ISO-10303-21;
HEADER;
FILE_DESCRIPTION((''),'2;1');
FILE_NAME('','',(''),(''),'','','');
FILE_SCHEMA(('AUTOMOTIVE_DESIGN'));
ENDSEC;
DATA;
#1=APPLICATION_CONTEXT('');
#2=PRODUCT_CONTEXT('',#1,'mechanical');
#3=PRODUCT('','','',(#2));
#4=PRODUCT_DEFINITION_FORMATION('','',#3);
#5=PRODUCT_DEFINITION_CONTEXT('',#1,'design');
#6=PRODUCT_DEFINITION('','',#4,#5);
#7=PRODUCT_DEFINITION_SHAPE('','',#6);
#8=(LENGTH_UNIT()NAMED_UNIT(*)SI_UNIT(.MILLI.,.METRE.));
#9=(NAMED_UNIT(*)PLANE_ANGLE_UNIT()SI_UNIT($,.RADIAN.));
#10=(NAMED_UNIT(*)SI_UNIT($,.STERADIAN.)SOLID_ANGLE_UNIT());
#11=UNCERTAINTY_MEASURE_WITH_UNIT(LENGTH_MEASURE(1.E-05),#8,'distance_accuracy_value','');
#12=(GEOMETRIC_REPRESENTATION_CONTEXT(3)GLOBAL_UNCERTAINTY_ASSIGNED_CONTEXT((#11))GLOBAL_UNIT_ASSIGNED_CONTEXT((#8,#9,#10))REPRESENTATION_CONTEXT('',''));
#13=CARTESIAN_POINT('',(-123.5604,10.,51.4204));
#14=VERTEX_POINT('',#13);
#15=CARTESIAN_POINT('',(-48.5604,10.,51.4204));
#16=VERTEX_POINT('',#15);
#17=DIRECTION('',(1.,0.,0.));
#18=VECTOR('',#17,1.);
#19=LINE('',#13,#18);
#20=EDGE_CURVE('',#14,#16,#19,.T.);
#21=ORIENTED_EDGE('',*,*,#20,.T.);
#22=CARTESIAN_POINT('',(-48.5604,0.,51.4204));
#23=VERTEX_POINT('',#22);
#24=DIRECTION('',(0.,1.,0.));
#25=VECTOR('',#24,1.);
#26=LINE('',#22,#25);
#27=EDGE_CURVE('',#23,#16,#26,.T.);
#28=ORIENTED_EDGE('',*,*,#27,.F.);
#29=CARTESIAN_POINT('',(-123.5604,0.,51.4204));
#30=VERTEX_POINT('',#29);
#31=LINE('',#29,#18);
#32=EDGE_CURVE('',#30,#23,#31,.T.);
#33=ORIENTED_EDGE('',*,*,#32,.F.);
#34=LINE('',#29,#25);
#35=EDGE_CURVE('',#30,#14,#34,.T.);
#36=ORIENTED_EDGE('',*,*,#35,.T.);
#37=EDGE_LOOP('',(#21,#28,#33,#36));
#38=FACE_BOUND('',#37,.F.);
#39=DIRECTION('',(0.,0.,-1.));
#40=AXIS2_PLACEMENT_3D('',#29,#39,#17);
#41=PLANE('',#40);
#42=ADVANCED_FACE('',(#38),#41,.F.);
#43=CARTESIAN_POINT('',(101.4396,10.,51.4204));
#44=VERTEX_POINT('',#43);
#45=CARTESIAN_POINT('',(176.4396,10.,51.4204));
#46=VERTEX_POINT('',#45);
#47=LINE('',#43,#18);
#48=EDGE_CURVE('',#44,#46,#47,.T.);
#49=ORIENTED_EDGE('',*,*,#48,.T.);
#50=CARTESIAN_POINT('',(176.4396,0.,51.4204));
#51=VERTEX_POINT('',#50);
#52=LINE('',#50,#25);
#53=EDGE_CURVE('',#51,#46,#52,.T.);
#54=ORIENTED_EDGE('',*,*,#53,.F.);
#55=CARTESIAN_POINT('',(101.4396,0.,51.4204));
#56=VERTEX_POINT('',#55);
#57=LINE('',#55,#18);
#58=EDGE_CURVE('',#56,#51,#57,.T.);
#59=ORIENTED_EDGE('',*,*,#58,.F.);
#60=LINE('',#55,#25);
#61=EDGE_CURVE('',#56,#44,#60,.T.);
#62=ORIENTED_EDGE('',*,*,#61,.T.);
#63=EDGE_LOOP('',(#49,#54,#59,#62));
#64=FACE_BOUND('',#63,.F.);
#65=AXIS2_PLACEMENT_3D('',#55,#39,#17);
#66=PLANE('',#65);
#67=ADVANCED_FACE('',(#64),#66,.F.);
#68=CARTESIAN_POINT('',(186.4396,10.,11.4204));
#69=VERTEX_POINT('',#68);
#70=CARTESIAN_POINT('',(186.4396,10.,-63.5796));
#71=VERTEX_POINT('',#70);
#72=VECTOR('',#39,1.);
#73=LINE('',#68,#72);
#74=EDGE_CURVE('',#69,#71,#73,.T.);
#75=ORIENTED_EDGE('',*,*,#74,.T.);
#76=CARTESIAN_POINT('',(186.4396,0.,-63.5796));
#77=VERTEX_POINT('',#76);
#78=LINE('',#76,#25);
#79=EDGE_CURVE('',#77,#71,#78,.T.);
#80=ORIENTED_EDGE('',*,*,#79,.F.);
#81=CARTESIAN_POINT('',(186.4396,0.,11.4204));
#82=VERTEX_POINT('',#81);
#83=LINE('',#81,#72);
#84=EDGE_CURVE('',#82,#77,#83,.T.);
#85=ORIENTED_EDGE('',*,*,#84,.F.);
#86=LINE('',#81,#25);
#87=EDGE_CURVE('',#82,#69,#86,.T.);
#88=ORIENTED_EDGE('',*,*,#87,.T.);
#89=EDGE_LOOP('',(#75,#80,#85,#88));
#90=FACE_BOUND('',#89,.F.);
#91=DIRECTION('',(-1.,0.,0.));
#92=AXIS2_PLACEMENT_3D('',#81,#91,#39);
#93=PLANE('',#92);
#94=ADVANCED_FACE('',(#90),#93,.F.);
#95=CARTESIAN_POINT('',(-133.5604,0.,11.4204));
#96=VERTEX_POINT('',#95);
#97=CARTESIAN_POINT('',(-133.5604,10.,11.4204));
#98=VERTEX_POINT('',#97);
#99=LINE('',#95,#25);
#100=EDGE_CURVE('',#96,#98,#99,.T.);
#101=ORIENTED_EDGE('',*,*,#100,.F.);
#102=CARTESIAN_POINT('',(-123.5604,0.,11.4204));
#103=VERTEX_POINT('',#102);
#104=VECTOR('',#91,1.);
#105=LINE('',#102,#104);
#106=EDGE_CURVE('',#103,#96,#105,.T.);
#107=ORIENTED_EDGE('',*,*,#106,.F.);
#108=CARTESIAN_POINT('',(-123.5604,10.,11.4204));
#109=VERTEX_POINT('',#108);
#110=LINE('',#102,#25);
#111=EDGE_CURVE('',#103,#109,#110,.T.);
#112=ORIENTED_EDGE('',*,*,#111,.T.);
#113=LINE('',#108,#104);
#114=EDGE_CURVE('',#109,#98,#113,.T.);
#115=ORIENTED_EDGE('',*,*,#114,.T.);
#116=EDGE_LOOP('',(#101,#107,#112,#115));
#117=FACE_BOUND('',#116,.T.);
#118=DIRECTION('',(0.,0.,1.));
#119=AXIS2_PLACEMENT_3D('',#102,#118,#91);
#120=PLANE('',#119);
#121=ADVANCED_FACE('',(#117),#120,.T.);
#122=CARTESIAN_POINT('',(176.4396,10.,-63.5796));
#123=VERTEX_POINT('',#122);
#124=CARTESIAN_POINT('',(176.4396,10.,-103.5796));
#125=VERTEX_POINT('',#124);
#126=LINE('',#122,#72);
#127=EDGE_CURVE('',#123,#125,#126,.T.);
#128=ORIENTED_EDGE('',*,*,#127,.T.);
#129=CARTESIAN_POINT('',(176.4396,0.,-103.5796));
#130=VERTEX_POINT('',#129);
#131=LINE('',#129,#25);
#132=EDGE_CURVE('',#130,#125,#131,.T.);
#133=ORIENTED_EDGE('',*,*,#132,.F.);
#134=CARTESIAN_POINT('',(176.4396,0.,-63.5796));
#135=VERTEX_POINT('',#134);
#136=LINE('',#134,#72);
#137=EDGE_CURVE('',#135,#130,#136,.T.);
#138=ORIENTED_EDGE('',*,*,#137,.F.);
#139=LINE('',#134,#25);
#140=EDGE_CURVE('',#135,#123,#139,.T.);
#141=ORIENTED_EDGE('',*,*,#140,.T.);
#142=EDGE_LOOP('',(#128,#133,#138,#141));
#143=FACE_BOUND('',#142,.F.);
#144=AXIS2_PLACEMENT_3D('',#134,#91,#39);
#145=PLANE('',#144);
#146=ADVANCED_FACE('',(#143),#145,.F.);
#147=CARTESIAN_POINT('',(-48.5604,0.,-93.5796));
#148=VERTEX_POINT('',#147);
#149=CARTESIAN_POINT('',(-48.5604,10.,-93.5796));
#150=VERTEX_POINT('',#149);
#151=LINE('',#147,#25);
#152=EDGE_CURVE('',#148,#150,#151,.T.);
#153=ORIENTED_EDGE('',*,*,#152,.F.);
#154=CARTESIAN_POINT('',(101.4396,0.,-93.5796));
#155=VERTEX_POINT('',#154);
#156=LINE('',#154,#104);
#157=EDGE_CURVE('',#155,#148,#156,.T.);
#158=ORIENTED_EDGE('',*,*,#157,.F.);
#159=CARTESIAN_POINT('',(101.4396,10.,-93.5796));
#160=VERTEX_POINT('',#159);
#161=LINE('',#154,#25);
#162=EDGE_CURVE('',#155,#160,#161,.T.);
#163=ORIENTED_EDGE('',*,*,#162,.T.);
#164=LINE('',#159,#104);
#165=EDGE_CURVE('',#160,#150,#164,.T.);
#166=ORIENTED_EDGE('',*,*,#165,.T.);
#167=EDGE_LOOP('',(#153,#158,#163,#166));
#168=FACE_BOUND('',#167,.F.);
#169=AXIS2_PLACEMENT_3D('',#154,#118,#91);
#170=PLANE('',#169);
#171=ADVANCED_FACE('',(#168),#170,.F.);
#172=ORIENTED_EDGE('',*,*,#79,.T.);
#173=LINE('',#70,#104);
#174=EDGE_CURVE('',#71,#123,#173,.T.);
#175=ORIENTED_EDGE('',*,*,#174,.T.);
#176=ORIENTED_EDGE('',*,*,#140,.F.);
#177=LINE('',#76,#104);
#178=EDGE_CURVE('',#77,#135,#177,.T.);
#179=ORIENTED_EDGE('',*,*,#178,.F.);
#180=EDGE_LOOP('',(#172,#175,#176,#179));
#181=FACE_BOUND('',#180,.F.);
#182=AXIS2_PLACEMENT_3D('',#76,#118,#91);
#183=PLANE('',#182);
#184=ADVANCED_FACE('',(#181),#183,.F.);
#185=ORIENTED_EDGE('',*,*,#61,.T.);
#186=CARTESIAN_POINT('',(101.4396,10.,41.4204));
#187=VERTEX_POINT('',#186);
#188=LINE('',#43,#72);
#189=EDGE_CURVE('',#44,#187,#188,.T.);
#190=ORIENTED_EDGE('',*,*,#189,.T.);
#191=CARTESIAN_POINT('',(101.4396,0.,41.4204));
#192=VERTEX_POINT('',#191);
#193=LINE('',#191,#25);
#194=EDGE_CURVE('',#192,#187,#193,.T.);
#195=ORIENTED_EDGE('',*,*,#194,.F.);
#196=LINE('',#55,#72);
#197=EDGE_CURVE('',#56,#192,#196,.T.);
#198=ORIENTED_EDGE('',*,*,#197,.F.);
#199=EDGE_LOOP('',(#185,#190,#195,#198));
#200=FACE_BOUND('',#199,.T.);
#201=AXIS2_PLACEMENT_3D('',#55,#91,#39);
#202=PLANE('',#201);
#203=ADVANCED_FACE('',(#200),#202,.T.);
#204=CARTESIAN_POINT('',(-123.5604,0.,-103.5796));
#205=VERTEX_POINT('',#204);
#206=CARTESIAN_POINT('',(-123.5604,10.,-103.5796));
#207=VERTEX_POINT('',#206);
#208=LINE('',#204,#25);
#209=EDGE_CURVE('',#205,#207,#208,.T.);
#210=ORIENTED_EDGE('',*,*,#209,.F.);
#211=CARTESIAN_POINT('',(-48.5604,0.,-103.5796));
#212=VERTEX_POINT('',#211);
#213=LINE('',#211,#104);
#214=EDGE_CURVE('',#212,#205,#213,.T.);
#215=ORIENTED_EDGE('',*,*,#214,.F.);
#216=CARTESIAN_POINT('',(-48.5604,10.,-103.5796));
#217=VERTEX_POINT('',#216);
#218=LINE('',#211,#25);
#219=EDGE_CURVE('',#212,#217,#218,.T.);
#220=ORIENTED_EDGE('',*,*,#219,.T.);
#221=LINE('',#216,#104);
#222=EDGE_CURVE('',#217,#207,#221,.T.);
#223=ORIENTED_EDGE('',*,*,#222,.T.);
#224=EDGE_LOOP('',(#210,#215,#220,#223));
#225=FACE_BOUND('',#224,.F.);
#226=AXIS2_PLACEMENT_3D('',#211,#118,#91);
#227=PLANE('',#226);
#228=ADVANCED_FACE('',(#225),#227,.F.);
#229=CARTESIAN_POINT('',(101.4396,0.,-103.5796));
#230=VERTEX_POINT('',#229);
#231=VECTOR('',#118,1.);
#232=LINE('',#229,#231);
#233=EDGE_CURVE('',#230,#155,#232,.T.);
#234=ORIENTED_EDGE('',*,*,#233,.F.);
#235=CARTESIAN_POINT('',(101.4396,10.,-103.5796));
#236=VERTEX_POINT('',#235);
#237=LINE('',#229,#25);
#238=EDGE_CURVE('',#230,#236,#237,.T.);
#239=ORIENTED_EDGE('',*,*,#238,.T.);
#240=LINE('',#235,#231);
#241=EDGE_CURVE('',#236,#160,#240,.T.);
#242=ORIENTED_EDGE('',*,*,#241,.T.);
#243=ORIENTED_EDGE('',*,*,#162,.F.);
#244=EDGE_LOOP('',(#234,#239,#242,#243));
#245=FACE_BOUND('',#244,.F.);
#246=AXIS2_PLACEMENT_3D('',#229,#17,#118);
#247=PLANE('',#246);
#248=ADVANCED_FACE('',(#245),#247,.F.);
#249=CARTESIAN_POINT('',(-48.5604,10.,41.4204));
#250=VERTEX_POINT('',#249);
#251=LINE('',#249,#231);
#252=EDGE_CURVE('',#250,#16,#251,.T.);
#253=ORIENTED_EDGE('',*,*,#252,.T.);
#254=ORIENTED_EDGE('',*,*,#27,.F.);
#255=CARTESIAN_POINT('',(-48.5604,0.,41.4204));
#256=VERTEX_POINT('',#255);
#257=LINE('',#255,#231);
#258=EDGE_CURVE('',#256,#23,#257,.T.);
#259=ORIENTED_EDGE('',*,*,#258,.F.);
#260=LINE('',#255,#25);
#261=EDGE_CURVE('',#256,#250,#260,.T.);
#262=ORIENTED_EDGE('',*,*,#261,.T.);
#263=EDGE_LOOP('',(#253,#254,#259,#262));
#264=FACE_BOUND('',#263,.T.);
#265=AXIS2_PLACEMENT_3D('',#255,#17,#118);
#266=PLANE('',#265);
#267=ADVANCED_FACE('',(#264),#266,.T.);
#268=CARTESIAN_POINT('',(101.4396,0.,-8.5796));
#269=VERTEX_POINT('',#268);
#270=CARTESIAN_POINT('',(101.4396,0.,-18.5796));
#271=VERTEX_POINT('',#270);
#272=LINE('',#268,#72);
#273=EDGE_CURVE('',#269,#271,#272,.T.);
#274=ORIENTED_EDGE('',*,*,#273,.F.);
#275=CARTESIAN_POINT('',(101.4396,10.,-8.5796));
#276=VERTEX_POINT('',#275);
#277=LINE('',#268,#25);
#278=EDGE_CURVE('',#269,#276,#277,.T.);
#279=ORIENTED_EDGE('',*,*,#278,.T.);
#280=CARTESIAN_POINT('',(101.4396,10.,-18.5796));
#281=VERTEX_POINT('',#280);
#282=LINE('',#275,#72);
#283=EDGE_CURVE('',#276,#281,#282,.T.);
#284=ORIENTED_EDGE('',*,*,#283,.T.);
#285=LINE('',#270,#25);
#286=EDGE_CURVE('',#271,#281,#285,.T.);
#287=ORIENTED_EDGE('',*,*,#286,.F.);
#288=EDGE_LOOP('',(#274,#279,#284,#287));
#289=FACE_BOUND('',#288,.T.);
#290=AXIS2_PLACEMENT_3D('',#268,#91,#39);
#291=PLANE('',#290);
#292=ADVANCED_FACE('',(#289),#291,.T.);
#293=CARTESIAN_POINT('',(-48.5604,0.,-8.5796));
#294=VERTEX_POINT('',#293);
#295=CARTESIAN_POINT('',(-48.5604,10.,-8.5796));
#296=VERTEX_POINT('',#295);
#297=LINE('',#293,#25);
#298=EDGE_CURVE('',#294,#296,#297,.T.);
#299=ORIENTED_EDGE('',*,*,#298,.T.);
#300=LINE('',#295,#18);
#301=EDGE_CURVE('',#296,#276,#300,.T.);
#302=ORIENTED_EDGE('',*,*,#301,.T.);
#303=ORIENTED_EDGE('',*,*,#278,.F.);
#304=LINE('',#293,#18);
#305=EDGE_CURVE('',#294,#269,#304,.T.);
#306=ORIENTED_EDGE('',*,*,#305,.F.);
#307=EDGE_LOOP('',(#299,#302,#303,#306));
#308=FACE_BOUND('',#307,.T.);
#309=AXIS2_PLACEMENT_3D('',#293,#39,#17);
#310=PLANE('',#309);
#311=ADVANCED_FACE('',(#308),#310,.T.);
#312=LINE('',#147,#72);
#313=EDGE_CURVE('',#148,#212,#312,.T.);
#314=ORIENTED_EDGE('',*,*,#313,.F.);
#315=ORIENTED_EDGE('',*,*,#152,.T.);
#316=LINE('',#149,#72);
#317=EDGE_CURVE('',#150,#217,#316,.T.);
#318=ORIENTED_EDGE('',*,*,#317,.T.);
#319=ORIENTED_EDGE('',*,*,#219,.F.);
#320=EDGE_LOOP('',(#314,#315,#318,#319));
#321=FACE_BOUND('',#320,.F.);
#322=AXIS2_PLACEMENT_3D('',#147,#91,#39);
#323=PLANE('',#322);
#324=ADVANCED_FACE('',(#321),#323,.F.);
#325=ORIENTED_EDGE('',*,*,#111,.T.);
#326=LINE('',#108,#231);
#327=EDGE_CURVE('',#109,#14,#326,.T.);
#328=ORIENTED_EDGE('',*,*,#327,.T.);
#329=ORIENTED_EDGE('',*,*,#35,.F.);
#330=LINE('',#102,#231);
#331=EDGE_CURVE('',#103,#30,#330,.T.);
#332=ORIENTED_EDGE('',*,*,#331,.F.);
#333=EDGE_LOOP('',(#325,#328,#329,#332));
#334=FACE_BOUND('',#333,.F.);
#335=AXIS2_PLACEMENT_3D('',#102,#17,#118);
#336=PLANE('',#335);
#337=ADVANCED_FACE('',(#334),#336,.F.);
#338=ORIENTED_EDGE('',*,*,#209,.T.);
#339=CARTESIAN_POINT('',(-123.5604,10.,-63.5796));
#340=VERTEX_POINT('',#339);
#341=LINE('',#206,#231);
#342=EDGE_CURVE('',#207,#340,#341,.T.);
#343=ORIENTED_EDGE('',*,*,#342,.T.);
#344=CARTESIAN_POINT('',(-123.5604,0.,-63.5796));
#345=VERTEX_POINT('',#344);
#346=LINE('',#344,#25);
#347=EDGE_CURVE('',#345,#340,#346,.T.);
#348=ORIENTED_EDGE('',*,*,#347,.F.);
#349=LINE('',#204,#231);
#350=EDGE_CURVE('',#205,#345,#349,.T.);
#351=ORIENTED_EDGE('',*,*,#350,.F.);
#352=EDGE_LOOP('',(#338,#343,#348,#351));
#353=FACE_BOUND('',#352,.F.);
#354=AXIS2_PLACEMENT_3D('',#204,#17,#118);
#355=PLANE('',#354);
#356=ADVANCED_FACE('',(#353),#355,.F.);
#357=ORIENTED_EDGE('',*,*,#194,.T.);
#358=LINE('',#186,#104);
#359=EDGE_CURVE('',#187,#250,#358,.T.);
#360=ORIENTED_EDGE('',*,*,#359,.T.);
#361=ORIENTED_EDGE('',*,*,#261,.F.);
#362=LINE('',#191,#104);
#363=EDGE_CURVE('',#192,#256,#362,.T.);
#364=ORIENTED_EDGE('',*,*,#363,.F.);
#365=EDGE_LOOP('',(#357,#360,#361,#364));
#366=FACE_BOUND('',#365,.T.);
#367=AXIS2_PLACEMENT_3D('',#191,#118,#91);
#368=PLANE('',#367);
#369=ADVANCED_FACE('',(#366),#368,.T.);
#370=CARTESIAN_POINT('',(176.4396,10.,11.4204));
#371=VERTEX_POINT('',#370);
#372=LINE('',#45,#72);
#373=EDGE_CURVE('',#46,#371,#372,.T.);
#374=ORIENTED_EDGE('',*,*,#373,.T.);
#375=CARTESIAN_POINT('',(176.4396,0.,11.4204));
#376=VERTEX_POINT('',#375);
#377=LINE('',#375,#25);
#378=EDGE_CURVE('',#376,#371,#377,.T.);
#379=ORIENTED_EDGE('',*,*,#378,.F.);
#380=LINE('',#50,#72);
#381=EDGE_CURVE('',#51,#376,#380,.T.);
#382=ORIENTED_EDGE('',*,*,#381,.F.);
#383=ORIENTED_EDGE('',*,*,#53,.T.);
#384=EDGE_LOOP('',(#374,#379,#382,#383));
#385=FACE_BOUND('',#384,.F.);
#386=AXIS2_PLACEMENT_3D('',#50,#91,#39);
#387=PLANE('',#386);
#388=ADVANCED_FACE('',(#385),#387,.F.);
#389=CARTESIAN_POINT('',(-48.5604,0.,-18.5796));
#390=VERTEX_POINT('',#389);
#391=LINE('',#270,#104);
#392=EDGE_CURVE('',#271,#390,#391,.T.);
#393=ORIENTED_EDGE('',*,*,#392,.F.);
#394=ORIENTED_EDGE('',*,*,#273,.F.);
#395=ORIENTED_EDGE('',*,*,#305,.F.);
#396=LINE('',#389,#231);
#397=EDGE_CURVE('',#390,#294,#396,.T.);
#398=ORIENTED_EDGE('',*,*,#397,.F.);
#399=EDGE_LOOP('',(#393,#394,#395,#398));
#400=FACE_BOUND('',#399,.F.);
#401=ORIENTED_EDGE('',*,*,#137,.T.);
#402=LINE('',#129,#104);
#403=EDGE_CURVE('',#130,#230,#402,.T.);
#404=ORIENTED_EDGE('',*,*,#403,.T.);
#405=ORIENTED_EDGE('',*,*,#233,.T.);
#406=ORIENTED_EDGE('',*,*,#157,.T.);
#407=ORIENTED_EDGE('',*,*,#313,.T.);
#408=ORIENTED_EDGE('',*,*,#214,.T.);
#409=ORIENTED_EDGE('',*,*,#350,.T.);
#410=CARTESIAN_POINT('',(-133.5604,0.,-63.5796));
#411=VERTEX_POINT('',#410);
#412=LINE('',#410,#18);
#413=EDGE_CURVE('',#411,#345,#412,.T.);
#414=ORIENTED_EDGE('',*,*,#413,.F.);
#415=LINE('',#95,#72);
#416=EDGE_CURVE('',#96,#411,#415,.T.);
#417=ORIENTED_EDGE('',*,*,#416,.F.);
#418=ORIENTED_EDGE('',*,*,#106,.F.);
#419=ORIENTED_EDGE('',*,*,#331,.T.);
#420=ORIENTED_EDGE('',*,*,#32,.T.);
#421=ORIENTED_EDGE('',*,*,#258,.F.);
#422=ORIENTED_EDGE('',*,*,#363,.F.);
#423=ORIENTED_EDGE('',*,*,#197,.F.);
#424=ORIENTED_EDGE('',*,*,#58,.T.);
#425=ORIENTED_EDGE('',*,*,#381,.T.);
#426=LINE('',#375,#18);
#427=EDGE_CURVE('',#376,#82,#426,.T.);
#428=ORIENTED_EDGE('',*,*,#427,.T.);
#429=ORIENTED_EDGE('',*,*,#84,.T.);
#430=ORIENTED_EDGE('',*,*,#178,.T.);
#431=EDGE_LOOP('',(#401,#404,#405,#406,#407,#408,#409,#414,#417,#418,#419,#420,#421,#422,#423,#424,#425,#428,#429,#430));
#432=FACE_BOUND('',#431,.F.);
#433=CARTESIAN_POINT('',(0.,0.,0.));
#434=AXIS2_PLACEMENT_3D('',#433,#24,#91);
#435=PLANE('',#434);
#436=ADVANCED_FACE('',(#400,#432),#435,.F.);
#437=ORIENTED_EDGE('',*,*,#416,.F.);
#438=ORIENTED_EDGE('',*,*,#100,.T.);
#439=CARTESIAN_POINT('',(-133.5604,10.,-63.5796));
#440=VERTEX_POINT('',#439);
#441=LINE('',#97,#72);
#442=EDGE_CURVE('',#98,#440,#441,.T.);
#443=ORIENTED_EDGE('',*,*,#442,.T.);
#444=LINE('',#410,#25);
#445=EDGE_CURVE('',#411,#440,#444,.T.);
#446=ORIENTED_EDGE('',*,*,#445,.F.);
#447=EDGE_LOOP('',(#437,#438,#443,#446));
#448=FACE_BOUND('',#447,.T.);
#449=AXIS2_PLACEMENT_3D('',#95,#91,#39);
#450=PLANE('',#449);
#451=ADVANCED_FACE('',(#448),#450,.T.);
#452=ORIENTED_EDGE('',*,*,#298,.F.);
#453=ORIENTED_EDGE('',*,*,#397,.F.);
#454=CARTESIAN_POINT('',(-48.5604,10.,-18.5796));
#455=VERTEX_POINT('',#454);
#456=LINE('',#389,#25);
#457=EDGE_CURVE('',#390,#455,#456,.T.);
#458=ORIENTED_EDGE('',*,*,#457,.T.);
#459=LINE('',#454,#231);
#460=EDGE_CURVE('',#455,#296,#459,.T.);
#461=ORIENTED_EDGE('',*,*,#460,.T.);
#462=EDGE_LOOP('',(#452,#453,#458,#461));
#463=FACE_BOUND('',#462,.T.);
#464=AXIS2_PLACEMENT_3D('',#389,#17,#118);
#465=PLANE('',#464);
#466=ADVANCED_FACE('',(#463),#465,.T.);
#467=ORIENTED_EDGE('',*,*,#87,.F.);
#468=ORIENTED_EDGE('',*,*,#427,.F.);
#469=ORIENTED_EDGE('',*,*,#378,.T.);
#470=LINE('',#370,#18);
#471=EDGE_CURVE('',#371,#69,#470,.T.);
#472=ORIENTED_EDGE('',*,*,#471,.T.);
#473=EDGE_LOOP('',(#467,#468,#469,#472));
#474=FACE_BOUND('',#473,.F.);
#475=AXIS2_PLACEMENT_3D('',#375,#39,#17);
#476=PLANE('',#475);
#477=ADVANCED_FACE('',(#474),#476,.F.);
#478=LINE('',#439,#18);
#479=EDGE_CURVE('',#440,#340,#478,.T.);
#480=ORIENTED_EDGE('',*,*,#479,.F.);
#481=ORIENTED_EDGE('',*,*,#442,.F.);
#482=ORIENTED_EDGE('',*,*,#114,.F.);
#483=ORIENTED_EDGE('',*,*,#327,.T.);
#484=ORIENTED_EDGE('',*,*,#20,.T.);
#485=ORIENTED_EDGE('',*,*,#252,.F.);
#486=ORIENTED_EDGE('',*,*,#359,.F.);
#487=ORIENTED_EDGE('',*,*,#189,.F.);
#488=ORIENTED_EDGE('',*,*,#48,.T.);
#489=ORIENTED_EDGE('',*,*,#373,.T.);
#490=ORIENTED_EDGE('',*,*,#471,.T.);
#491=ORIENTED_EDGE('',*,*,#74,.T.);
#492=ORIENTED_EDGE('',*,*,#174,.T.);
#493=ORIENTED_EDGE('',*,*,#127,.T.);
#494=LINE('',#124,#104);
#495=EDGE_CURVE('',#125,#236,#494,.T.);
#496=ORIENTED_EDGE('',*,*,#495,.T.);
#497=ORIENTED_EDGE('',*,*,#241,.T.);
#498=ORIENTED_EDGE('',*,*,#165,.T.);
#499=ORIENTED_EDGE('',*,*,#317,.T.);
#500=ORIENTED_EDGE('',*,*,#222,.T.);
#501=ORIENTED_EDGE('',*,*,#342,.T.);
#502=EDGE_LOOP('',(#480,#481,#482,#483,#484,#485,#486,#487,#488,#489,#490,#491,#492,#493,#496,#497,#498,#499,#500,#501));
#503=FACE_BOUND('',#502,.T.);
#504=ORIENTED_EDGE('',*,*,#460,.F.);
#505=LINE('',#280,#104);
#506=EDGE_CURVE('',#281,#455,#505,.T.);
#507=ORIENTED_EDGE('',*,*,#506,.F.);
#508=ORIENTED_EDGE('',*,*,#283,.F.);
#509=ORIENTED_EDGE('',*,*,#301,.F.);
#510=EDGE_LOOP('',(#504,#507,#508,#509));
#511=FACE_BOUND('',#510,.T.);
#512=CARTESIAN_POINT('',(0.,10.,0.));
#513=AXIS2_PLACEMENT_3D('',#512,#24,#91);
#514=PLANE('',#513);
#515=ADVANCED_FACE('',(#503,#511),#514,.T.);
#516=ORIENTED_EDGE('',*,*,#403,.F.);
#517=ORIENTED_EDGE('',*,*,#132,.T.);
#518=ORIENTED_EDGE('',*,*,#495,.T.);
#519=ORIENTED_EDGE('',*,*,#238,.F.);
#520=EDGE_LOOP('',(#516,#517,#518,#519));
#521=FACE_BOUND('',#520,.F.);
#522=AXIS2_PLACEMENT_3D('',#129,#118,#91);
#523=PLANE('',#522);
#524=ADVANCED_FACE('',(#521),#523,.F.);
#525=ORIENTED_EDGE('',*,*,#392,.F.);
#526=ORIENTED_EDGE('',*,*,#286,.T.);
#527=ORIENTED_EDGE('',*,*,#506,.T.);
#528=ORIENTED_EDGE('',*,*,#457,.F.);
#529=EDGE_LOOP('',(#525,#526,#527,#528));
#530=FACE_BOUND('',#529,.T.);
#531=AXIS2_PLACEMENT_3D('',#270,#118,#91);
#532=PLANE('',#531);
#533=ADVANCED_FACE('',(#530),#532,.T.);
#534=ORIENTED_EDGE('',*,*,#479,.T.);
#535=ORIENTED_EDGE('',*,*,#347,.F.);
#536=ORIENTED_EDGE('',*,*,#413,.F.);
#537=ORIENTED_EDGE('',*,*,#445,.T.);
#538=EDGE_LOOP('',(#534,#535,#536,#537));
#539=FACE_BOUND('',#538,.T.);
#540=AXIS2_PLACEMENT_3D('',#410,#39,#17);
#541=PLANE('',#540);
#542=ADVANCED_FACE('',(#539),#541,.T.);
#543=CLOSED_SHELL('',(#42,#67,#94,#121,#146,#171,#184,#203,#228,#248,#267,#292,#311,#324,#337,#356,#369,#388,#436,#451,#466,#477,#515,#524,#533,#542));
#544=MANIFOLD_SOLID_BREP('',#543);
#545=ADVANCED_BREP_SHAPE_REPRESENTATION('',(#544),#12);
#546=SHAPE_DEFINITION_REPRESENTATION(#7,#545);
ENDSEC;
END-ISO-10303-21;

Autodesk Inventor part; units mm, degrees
ref_plane "YZ Plane" through (0, 0, 0) normal (1, 0, 0) x (0, 1, 0)
ref_plane "XZ Plane" through (0, 0, 0) normal (0, 1, 0) x (-1, 0, 0)
ref_plane "XY Plane" through (0, 0, 0) normal (0, 0, 1) x (1, 0, 0)
sketch "Skizze1" plane through (0, 0, 0) normal (0, 1, 0) x (-1, 0, 0)
  line L0 (-101.4396, -103.5796) -> (-101.4396, -93.5796)
  line L1 (-101.4396, -93.5796) -> (48.5604, -93.5796)
  line L2 (48.5604, -93.5796) -> (48.5604, -103.5796)
  line L3 (-176.4396, -103.5796) -> (-101.4396, -103.5796)
  line L4 (48.5604, -103.5796) -> (123.5604, -103.5796)
  line L5 (-101.4396, 51.4204) -> (-101.4396, 41.4204)
  line L6 (-101.4396, 41.4204) -> (48.5604, 41.4204)
  line L7 (48.5604, 41.4204) -> (48.5604, 51.4204)
  line L8 (123.5604, 51.4204) -> (48.5604, 51.4204)
  line L9 (-101.4396, 51.4204) -> (-176.4396, 51.4204)
  line L10 (123.5604, 11.4204) -> (133.5604, 11.4204)
  line L11 (133.5604, 11.4204) -> (133.5604, -63.5796)
  line L12 (133.5604, -63.5796) -> (123.5604, -63.5796)
  line L13 (123.5604, -103.5796) -> (123.5604, -63.5796)
  line L14 (123.5604, 11.4204) -> (123.5604, 51.4204)
  line L15 (48.5604, -8.5796) -> (-101.4396, -8.5796)
  line L16 (-101.4396, -8.5796) -> (-101.4396, -18.5796)
  line L17 (-101.4396, -18.5796) -> (48.5604, -18.5796)
  line L18 (48.5604, -18.5796) -> (48.5604, -8.5796)
  line L19 (-176.4396, 11.4204) -> (-186.4396, 11.4204)
  line L20 (-186.4396, 11.4204) -> (-186.4396, -63.5796)
  line L21 (-186.4396, -63.5796) -> (-176.4396, -63.5796)
  line L22 (-176.4396, 51.4204) -> (-176.4396, 11.4204)
  line L23 (-176.4396, -63.5796) -> (-176.4396, -103.5796)
  dimension "d0" = 300
  dimension "d2" = 150
  dimension "d3" = 10
  dimension "d6" = 10
  dimension "d7" = 10
  dimension "d8" = 75
  dimension "d10" = 150
  dimension "d11" = 10
  dimension "d13" = 10
  dimension "d14" = 75
  dimension "d17" = 10
  dimension "d20" = 10
  dimension "d22" = 50
  dimension "d25" = 155
  dimension "d26" = 0
  dimension "d27" = 10
  dimension "d28" = 40
  dimension "d29" = 40
  dimension "d30" = 85
  dimension "d31" = 75
  dimension "d32" = 85
  dimension "d33" = 75
  dimension "d34" = 10
  dimension "d35" = 150
extrude "Extrusion1" add sketch "Skizze1" along normal blind 10
properties part number "Platte3-Seite"
